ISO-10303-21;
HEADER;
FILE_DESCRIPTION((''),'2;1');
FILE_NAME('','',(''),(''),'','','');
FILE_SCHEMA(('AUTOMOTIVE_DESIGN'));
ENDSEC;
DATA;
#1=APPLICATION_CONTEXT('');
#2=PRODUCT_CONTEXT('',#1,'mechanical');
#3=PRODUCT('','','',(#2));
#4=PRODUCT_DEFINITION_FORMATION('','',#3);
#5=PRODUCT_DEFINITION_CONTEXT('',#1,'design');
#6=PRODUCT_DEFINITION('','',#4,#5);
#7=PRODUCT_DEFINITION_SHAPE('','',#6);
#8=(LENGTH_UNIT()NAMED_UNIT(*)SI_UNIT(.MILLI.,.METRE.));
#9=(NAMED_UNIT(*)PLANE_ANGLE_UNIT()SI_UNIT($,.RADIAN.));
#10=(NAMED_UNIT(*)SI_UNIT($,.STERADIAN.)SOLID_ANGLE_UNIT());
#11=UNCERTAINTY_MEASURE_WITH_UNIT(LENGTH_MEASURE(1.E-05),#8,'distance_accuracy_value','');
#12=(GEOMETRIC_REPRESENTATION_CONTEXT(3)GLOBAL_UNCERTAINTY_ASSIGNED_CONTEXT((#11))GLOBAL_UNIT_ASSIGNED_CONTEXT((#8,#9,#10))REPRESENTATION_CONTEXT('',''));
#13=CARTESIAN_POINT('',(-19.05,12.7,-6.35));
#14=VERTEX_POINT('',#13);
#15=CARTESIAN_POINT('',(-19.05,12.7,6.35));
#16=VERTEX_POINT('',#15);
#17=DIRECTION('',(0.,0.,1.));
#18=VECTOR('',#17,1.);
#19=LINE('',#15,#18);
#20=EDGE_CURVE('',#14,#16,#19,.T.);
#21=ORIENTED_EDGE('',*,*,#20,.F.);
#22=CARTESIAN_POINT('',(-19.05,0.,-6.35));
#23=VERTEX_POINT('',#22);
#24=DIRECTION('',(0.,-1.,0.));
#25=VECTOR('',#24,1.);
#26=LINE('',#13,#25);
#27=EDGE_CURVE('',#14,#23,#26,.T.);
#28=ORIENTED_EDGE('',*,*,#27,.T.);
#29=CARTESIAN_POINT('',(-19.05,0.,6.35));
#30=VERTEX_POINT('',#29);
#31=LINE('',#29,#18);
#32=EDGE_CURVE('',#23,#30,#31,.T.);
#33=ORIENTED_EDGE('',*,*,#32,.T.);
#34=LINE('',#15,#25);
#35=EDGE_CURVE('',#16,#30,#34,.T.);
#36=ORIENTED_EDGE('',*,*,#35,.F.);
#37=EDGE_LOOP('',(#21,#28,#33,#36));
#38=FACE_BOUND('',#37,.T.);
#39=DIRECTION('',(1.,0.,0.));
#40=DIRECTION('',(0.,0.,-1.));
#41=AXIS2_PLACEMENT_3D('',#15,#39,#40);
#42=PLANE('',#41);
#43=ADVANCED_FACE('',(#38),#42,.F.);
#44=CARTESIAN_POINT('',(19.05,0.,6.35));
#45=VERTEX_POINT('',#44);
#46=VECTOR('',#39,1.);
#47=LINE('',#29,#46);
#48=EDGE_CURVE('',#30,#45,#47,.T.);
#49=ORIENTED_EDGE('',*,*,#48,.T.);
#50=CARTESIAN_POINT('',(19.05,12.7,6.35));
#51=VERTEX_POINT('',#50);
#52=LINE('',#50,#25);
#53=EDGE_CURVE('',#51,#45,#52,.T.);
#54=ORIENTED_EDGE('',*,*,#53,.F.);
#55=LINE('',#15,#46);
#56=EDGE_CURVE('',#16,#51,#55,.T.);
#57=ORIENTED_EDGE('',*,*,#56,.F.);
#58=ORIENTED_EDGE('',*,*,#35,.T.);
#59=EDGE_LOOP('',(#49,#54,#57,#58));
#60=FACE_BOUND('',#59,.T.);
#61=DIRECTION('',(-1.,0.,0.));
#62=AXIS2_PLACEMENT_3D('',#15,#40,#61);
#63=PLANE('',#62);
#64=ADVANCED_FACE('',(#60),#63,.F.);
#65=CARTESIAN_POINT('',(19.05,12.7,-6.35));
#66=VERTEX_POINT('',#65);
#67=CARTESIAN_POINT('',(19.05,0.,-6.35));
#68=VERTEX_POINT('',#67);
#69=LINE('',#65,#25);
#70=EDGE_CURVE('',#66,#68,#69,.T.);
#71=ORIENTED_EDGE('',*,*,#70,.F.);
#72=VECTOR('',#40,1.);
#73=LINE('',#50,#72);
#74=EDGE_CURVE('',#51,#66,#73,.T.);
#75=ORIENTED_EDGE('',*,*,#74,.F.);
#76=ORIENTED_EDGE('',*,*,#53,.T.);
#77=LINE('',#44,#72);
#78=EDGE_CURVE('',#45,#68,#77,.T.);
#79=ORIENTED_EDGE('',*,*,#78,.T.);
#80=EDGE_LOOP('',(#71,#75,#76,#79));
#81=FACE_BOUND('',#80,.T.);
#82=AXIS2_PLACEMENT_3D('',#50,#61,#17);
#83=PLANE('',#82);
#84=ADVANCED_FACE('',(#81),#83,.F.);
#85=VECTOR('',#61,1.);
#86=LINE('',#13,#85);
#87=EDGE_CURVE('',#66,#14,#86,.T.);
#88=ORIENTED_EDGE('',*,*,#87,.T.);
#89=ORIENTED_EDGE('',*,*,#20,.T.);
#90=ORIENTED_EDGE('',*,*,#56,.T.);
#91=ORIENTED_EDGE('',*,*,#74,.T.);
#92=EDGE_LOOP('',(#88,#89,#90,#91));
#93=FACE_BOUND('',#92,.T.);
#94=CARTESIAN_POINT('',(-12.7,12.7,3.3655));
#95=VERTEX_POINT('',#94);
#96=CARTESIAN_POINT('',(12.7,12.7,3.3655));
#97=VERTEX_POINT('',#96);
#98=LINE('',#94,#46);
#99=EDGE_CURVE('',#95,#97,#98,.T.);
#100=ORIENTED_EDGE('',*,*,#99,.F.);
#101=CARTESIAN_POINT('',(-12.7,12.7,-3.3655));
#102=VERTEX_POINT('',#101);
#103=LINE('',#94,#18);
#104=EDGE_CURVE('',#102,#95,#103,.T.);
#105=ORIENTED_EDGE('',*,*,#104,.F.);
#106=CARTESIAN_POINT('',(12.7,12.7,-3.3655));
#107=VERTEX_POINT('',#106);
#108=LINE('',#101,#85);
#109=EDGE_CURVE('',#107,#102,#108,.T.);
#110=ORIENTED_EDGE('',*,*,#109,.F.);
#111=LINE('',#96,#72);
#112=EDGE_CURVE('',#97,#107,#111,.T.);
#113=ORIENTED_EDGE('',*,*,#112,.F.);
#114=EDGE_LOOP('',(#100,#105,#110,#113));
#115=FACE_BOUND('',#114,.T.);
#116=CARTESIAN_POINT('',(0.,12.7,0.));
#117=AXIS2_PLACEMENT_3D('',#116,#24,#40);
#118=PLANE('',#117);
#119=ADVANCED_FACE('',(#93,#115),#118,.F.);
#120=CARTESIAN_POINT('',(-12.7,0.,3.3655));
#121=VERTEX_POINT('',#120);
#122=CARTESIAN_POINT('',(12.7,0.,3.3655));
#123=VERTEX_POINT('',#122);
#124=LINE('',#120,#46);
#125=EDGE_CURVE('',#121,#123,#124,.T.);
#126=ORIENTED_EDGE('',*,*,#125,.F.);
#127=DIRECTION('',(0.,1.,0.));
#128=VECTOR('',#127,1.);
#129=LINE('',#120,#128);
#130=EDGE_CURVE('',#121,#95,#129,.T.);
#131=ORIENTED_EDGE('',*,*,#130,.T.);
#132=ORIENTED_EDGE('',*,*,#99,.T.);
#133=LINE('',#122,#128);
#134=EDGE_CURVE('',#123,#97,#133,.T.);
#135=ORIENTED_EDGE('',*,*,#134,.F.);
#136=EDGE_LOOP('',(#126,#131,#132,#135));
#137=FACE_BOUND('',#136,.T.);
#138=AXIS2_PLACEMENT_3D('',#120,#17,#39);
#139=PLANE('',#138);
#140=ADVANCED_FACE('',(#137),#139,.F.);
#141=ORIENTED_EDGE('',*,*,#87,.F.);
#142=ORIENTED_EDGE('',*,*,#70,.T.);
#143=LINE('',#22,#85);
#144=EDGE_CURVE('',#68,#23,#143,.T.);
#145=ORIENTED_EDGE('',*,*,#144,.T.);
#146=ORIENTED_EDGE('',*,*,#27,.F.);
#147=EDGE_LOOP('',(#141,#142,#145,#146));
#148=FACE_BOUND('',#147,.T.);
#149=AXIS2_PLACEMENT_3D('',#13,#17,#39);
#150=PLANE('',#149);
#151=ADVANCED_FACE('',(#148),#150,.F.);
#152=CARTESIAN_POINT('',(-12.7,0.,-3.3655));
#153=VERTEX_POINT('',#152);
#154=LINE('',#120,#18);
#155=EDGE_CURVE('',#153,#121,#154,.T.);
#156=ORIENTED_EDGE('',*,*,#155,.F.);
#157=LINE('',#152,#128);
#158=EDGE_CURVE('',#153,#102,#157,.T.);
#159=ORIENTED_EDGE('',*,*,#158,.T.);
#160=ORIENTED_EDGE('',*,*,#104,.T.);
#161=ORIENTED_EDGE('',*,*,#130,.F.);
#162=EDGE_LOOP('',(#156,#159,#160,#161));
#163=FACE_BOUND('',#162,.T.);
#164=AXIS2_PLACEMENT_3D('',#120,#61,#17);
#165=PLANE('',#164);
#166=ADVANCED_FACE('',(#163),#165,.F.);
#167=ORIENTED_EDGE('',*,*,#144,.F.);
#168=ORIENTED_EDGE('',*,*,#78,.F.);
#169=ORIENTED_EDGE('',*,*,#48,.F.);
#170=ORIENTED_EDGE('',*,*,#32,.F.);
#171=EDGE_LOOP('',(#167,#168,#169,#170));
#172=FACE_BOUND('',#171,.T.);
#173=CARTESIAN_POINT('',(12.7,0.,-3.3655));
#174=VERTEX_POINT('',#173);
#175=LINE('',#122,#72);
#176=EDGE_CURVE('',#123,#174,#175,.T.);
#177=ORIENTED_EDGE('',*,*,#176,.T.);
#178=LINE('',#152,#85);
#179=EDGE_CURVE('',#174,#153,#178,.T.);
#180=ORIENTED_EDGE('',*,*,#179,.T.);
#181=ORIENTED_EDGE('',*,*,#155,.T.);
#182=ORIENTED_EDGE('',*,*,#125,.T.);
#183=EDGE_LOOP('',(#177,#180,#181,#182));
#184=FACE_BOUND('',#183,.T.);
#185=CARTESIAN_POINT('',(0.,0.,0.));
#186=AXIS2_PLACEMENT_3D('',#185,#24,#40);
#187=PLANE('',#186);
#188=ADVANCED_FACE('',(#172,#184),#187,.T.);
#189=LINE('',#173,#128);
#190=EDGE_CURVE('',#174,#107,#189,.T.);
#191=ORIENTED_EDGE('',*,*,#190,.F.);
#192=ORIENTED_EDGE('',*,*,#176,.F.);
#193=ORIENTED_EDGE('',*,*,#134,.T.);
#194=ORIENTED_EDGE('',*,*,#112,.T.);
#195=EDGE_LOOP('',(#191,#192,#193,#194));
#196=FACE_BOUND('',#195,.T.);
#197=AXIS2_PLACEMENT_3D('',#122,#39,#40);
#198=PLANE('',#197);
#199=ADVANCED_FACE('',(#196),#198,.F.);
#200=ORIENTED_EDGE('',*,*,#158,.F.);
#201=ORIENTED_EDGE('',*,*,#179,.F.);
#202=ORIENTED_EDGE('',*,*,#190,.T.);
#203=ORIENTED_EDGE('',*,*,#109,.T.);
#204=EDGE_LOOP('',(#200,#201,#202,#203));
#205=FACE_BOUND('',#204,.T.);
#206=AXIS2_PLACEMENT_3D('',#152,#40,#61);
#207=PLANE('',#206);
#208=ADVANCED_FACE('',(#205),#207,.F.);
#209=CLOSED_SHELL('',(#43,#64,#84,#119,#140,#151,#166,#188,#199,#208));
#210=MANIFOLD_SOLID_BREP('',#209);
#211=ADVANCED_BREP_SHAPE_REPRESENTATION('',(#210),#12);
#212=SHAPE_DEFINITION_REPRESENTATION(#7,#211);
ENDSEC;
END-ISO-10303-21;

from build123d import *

# Parameters (mm, degrees)
SKETCH1_W           = 38.1
SKETCH1_H           = 12.7
BOSS_EXTRUDE1_DEPTH = 12.7
SKETCH2_W           = 25.4
SKETCH2_H           = 6.731
CUT_EXTRUDE1_DEPTH  = 12.7


with BuildPart() as part:
    # Sketch1 → Boss-Extrude1 (new body)
    with BuildSketch(Plane(origin=(0, 0, 0), x_dir=(1, 0, 0), z_dir=(0, 1, 0))):
        Rectangle(SKETCH1_W, SKETCH1_H)
    extrude(amount=BOSS_EXTRUDE1_DEPTH)

    # Sketch2 → Cut-Extrude1 (cut)
    with BuildSketch(Plane(origin=(0, 12.7, 0), x_dir=(1, 0, 0), z_dir=(0, 1, 0))):
        Rectangle(SKETCH2_W, SKETCH2_H)
    extrude(amount=-CUT_EXTRUDE1_DEPTH, mode=Mode.SUBTRACT)


solid = part.part
